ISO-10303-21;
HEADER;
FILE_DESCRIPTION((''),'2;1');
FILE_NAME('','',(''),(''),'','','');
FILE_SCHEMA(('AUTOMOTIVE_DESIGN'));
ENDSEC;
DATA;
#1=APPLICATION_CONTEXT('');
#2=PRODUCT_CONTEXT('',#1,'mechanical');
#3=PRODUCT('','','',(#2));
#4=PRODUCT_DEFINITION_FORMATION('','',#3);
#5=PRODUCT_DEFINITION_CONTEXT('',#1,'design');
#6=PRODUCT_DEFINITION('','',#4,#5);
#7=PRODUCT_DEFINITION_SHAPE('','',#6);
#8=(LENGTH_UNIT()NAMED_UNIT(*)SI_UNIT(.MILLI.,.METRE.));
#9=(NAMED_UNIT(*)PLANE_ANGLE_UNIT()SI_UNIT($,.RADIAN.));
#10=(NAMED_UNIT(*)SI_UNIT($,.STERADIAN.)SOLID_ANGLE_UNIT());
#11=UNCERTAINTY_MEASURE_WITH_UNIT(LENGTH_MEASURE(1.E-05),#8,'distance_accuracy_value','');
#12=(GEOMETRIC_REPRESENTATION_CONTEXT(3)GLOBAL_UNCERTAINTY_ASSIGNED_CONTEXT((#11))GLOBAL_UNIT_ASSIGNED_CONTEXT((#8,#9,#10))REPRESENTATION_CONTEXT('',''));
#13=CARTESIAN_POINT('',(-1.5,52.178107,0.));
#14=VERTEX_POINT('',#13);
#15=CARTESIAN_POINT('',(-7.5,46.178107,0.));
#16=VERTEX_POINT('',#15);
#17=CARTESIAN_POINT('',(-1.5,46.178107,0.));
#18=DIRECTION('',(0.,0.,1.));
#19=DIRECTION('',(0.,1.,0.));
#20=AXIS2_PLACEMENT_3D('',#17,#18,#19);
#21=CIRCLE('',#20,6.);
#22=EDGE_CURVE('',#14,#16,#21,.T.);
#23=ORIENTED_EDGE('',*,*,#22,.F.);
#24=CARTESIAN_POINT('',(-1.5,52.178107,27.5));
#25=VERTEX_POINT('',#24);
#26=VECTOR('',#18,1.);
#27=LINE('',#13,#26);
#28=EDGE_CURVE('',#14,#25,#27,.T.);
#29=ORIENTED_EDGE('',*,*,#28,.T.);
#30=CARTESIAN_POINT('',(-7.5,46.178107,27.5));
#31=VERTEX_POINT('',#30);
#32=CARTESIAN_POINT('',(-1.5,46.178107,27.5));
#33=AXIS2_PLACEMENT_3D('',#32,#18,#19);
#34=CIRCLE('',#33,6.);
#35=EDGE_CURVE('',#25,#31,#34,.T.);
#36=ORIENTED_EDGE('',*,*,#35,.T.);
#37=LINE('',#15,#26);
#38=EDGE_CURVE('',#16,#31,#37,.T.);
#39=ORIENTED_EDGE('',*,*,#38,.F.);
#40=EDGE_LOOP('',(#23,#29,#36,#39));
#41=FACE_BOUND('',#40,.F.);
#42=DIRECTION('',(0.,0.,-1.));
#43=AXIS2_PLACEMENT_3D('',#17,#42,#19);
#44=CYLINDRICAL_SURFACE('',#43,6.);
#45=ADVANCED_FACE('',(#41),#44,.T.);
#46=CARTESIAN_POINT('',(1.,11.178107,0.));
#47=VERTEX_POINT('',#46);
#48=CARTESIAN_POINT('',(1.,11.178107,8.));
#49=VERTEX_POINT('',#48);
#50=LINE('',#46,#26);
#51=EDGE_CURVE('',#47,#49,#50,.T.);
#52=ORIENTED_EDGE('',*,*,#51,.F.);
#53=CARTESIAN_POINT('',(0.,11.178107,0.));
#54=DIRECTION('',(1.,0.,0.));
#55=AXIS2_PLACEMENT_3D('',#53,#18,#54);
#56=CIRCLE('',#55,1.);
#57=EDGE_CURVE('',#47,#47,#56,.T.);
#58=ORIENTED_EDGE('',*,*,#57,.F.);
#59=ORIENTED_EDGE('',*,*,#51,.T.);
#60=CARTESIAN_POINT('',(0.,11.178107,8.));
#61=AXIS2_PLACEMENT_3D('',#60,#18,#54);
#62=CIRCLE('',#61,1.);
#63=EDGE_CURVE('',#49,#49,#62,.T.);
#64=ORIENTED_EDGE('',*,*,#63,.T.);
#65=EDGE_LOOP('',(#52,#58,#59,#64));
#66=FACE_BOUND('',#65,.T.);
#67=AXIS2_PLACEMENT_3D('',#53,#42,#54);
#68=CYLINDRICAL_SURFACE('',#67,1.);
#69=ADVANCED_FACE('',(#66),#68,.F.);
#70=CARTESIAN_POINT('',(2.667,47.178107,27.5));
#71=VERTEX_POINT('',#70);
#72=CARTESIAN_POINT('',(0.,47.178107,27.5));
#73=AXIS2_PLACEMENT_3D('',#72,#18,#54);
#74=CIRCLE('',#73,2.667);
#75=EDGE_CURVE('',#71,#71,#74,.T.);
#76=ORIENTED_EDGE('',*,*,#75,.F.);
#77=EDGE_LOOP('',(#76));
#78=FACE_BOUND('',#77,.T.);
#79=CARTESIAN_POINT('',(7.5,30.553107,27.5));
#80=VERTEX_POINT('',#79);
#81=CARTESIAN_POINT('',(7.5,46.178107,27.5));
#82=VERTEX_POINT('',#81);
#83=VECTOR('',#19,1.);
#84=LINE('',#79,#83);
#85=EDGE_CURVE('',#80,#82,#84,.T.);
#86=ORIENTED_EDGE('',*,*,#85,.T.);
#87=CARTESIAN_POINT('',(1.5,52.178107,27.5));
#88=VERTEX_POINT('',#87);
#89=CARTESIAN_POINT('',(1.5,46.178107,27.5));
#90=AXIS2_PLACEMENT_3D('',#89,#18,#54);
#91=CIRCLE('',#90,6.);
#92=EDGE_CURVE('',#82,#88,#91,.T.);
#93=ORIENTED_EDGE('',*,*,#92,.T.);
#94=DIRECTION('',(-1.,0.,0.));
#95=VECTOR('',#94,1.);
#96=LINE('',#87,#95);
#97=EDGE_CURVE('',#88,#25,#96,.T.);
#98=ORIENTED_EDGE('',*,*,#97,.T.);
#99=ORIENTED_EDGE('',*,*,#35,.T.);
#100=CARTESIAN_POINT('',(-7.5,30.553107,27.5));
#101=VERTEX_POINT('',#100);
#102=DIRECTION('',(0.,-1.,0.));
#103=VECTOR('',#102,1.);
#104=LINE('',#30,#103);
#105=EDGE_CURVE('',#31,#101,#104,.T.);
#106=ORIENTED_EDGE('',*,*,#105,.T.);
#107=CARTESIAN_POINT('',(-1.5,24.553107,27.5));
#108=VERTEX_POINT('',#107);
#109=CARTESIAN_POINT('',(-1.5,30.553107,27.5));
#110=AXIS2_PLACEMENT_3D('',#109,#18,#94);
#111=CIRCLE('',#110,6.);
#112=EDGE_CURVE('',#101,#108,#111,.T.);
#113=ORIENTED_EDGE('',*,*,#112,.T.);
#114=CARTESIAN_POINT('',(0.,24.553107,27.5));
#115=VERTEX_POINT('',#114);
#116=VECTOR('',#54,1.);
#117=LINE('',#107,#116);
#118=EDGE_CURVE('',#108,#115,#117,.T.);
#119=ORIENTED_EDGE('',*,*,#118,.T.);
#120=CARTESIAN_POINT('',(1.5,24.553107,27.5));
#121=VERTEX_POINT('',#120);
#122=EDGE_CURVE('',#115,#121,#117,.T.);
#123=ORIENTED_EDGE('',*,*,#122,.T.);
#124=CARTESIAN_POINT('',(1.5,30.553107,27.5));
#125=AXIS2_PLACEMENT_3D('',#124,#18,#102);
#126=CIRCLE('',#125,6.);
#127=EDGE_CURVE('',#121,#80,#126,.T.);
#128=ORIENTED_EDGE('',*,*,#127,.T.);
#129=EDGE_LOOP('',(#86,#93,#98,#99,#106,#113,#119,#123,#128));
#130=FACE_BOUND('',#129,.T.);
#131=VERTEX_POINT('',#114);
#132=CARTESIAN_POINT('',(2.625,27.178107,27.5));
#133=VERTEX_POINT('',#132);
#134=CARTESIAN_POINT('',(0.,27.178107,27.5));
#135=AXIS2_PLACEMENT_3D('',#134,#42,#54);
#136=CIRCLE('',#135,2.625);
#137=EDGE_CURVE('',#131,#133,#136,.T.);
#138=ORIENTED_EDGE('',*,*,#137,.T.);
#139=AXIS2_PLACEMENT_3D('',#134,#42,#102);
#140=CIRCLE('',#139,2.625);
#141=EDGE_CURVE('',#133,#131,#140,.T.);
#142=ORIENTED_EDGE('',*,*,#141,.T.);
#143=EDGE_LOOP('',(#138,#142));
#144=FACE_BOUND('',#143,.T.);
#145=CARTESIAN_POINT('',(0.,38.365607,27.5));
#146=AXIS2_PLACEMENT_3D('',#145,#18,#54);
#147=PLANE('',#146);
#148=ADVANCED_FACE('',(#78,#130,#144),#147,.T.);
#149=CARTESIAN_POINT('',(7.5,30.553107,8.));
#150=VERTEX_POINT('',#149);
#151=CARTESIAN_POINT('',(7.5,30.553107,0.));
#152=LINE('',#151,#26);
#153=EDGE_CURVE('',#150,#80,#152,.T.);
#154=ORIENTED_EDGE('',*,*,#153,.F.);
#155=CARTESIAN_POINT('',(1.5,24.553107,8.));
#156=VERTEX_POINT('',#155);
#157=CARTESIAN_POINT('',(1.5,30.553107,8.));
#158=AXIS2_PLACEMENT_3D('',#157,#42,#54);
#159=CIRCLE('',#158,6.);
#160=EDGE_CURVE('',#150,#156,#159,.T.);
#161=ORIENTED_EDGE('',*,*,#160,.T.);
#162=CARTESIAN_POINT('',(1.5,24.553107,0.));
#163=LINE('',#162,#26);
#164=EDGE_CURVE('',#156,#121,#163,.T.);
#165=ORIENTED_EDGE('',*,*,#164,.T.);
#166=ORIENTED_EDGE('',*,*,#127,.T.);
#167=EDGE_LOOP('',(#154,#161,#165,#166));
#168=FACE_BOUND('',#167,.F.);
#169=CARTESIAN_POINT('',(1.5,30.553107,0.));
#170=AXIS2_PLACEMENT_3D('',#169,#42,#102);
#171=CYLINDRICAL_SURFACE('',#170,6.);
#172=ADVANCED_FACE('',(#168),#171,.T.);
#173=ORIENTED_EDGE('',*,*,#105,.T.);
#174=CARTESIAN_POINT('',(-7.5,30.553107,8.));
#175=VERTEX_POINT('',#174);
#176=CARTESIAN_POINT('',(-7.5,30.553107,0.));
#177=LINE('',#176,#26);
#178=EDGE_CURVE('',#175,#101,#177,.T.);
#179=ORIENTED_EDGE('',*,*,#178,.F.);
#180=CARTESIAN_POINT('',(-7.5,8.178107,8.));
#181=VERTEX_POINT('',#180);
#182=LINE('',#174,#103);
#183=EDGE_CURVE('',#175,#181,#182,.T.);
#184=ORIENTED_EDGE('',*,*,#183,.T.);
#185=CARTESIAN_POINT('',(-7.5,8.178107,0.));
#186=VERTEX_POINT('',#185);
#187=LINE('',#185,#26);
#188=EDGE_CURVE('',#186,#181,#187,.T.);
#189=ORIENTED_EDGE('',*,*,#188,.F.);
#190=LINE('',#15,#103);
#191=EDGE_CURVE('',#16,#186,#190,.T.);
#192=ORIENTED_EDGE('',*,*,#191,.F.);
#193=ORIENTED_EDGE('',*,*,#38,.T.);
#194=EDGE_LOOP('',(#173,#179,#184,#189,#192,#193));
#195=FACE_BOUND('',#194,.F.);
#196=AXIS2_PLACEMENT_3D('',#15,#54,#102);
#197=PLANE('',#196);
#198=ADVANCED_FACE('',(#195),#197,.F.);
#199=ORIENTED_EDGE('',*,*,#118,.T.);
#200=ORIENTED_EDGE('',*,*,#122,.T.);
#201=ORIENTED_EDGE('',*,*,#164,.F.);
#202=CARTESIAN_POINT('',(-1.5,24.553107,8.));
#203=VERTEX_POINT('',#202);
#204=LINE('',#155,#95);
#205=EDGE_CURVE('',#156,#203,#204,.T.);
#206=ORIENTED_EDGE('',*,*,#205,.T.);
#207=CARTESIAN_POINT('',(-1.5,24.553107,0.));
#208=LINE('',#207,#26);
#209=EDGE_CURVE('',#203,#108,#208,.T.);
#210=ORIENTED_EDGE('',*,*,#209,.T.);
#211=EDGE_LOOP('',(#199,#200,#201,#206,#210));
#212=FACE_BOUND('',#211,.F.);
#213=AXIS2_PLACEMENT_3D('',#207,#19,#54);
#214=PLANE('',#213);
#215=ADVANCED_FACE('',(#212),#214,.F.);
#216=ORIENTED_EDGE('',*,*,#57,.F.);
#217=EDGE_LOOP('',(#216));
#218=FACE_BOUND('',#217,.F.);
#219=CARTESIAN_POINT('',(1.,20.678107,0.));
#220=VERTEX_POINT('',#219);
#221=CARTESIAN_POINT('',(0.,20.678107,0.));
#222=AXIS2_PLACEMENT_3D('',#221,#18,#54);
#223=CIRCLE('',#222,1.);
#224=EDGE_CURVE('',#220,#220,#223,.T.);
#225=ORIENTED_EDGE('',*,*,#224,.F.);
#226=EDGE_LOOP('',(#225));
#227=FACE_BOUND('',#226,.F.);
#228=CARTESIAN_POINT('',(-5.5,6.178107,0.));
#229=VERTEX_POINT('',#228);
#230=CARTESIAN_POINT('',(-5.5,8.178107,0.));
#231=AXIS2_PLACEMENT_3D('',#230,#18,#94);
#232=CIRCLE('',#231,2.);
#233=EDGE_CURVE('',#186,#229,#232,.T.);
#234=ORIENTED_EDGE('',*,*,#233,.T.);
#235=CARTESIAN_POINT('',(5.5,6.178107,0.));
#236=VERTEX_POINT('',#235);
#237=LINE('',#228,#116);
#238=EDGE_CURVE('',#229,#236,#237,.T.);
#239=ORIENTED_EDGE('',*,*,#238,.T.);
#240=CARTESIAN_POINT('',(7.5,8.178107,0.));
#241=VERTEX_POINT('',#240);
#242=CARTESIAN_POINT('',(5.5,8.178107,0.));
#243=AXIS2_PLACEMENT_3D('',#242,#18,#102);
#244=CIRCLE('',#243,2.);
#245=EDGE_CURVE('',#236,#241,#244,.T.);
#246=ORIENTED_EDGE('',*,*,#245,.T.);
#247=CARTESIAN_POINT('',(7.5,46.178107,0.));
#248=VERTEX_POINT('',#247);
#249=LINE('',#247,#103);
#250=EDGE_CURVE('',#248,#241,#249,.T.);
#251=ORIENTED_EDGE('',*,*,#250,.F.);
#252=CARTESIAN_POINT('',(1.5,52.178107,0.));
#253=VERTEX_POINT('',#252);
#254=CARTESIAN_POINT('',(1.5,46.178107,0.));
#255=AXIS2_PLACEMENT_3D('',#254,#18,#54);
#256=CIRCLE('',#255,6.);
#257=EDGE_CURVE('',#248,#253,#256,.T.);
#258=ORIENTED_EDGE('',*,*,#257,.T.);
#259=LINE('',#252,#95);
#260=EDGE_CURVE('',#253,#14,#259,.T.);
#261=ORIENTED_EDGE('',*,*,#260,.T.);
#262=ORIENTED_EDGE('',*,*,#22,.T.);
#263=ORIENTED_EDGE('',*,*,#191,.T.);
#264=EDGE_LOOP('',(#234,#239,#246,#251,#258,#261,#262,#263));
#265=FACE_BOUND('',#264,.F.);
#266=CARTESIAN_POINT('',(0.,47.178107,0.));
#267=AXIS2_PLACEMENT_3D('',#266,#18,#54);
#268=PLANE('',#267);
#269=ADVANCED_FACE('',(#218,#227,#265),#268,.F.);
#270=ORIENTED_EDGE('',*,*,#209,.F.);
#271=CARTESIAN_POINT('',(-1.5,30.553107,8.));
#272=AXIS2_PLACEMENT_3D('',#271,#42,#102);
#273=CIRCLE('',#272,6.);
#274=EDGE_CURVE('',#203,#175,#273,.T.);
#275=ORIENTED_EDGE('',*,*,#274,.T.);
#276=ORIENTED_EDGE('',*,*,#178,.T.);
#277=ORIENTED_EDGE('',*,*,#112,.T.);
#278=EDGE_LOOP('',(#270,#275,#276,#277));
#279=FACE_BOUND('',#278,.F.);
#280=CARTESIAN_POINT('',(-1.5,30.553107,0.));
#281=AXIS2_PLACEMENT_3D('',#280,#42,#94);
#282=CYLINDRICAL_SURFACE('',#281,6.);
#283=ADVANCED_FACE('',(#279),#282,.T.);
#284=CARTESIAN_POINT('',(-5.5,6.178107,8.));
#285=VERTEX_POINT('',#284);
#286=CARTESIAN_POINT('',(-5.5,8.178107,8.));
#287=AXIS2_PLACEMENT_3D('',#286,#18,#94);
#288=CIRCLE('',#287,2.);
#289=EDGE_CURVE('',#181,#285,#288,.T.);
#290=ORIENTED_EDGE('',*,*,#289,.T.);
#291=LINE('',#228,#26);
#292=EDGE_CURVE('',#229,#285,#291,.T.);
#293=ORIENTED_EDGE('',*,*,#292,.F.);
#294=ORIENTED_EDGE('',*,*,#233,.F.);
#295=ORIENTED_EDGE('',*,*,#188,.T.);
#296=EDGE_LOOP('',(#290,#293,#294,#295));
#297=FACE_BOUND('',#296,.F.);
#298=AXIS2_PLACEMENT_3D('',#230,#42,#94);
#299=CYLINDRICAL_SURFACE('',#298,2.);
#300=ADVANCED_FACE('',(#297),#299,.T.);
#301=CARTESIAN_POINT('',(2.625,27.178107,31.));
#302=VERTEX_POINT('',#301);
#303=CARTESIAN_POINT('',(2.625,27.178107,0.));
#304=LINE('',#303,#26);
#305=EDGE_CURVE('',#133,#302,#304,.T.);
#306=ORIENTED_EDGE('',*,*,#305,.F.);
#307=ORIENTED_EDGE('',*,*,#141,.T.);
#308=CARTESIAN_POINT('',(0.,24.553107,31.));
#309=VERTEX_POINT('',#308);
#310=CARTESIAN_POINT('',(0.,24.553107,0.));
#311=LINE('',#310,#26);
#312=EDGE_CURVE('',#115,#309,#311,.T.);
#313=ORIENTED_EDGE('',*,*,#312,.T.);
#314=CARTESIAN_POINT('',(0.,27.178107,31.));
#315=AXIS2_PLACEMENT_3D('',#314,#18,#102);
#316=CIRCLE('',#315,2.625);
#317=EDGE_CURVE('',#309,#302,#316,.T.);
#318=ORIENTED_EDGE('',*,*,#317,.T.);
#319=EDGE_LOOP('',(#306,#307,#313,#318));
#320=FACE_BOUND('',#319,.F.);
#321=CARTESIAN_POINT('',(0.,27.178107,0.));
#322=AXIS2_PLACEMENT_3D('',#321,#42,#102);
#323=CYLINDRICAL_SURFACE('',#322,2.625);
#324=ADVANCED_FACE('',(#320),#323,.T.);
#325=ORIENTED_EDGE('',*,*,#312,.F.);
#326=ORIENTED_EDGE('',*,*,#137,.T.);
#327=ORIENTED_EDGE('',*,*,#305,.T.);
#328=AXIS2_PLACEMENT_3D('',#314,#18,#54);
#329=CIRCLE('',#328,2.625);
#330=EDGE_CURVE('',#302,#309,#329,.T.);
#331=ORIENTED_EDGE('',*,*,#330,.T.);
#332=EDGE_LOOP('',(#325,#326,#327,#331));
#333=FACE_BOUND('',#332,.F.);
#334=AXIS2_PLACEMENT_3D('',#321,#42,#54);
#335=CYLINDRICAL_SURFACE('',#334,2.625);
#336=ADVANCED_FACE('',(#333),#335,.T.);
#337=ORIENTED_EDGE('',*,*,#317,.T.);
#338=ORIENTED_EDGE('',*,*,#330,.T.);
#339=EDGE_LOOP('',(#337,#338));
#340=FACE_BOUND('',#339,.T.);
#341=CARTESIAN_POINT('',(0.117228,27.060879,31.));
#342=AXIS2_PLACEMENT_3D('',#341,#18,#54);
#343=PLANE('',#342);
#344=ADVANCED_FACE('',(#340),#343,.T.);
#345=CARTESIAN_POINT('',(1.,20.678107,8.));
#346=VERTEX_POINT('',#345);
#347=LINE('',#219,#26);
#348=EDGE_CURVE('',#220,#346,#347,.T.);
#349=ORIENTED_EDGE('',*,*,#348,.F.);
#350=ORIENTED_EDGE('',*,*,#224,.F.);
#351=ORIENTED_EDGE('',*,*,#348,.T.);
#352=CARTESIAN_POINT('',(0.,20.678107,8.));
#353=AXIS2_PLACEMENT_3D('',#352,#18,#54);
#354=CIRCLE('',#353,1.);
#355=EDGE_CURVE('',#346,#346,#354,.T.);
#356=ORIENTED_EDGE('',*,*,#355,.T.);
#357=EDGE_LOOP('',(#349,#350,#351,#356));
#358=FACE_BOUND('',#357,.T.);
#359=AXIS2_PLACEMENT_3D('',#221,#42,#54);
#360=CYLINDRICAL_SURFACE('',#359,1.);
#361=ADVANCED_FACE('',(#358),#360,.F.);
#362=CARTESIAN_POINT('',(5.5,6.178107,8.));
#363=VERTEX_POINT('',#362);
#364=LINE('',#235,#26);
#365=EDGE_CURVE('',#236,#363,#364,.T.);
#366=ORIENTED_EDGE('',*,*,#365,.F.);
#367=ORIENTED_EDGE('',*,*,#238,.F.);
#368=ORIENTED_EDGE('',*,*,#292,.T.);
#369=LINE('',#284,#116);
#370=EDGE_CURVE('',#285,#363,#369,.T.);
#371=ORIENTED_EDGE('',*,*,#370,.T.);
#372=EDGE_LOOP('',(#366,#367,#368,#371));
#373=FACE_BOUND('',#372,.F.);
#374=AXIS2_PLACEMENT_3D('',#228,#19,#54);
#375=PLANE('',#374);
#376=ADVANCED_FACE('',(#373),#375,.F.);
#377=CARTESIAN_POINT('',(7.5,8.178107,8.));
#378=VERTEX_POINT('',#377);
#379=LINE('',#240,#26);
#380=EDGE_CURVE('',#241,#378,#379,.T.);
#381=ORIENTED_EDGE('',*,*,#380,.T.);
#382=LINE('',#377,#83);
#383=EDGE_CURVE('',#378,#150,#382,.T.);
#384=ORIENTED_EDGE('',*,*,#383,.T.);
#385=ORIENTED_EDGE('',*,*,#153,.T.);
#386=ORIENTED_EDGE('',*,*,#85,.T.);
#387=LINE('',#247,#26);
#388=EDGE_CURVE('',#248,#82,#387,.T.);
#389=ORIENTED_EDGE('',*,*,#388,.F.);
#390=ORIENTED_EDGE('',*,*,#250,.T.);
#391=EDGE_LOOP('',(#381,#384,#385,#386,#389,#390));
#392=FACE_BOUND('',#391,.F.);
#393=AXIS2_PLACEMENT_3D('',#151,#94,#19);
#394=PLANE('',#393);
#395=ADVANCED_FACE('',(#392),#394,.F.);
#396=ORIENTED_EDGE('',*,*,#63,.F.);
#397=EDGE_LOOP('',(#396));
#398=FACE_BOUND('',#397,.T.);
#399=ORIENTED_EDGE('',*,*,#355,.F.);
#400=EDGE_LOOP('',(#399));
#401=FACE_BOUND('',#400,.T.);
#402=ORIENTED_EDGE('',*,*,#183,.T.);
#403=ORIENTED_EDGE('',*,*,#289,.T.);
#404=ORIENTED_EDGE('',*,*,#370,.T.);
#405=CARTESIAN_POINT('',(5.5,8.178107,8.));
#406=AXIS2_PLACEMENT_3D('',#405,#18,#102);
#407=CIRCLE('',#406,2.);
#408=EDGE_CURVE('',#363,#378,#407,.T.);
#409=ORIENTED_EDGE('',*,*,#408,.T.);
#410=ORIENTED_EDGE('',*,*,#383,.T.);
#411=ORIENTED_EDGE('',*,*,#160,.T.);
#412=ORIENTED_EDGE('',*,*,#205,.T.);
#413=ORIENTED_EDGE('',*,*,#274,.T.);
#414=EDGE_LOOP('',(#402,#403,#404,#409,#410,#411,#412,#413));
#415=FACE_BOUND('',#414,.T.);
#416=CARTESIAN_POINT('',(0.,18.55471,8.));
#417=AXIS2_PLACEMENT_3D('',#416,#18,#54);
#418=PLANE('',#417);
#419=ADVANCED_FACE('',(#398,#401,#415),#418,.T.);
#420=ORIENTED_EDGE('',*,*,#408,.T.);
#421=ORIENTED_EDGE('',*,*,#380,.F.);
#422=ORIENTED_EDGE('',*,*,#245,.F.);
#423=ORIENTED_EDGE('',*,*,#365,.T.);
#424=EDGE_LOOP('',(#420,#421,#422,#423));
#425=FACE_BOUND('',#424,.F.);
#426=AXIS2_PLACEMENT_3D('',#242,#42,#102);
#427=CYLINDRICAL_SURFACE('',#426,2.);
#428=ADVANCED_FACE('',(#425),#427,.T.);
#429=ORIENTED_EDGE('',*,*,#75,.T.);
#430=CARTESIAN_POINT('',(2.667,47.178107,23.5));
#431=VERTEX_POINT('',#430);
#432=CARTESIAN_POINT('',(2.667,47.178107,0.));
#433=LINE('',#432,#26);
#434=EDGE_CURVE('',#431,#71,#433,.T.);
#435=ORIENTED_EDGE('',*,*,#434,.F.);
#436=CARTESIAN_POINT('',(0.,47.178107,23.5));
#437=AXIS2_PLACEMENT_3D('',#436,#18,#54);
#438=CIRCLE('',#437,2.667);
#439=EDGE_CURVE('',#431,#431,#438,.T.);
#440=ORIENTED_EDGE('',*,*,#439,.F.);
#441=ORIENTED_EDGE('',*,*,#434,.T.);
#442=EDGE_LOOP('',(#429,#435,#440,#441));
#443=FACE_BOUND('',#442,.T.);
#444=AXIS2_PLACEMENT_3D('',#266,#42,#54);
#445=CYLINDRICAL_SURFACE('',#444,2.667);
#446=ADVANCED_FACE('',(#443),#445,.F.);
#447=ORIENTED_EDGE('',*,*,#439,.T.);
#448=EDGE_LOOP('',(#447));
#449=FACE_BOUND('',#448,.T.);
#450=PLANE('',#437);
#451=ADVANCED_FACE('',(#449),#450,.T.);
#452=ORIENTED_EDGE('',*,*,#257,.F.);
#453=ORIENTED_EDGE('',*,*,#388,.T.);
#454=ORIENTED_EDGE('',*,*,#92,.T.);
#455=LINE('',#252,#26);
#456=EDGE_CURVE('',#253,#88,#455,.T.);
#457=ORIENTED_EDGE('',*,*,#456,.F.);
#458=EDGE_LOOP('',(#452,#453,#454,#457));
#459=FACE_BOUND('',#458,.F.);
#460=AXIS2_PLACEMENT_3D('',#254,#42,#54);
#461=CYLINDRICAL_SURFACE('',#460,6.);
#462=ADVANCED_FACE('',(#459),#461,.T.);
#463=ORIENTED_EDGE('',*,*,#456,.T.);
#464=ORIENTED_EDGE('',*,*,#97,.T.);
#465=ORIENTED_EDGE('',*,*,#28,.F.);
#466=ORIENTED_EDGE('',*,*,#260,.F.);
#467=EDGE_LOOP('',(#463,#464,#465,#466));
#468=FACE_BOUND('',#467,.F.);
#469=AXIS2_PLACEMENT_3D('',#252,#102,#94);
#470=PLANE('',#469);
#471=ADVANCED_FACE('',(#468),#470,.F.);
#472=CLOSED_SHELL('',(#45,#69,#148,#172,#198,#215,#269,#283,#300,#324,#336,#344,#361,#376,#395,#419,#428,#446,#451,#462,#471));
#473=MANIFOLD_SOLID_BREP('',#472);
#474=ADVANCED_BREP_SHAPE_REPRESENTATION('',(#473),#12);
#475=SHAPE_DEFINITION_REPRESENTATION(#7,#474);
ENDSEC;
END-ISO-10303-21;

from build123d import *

# Parameters (mm, degrees)
F0_R     = 1
F2_DEPTH = 8
F0_R_2   = 2.667
F3_DEPTH = 27.5
F4_DEPTH = 31
F5_DEPTH = 23.5


with BuildPart() as f2:
    # F0 (on Top) → F2 (new body)
    with BuildSketch(Plane.XY):
        with BuildLine():
            Line((1.5, 24.5531070977), (0, 24.5531070977))
            Line((0, 24.5531070977), (-1.5, 24.5531070977))
            ThreePointArc((-1.5, 24.5531070977), (-5.7426406871, 26.3104664106), (-7.5, 30.5531070977))
            Line((-7.5, 30.5531070977), (-7.5, 8.1781070977))
            ThreePointArc((-7.5, 8.1781070977), (-6.9142135624, 6.7638935354), (-5.5, 6.1781070977))
            Line((-5.5, 6.1781070977), (5.5, 6.1781070977))
            ThreePointArc((5.5, 6.1781070977), (6.9142135624, 6.7638935354), (7.5, 8.1781070977))
            Line((7.5, 8.1781070977), (7.5, 30.5531070977))
            ThreePointArc((7.5, 30.5531070977), (5.7426406871, 26.3104664106), (1.5, 24.5531070977))
        make_face()
        with Locations((0, 11.1781070977)):
            Circle(F0_R, mode=Mode.SUBTRACT)
        with Locations((0, 20.6781070977)):
            Circle(F0_R, mode=Mode.SUBTRACT)
    extrude(amount=F2_DEPTH)

    # F0 (on Top) → F3 (join)
    with BuildSketch(Plane.XY):
        with BuildLine():
            Line((-1.5, 24.5531070977), (0, 24.5531070977))
            Line((0, 24.5531070977), (1.5, 24.5531070977))
            ThreePointArc((1.5, 24.5531070977), (5.7426406871, 26.3104664106), (7.5, 30.5531070977))
            Line((7.5, 30.5531070977), (7.5, 46.1781070977))
            ThreePointArc((7.5, 46.1781070977), (5.7426406871, 50.4207477849), (1.5, 52.1781070977))
            Line((1.5, 52.1781070977), (-1.5, 52.1781070977))
            ThreePointArc((-1.5, 52.1781070977), (-5.7426406871, 50.4207477849), (-7.5, 46.1781070977))
            Line((-7.5, 46.1781070977), (-7.5, 30.5531070977))
            ThreePointArc((-7.5, 30.5531070977), (-5.7426406871, 26.3104664106), (-1.5, 24.5531070977))
        make_face()
        with BuildLine():
            ThreePointArc((0, 24.5531070977), (-1.8561553006, 29.0342623984), (2.625, 27.1781070977))
            ThreePointArc((2.625, 27.1781070977), (1.8561553006, 25.3219517971), (0, 24.5531070977))
        make_face(mode=Mode.SUBTRACT)
        with Locations((0, 47.1781070977)):
            Circle(F0_R_2, mode=Mode.SUBTRACT)
        with BuildLine():
            ThreePointArc((0, 24.5531070977), (1.8561553006, 25.3219517971), (2.625, 27.1781070977))
            ThreePointArc((2.625, 27.1781070977), (-1.8561553006, 29.0342623984), (0, 24.5531070977))
        make_face()
    extrude(amount=F3_DEPTH)

    # F0 (on Top) → F4 (join)
    with BuildSketch(Plane.XY):
        with BuildLine():
            ThreePointArc((0, 24.5531070977), (1.8561553006, 25.3219517971), (2.625, 27.1781070977))
            ThreePointArc((2.625, 27.1781070977), (-1.8561553006, 29.0342623984), (0, 24.5531070977))
        make_face()
    extrude(amount=F4_DEPTH)

    # F0 (on Top) → F5 (join)
    with BuildSketch(Plane.XY):
        with Locations((0, 47.1781070977)):
            Circle(F0_R_2)
    extrude(amount=F5_DEPTH)


solid = f2.part
